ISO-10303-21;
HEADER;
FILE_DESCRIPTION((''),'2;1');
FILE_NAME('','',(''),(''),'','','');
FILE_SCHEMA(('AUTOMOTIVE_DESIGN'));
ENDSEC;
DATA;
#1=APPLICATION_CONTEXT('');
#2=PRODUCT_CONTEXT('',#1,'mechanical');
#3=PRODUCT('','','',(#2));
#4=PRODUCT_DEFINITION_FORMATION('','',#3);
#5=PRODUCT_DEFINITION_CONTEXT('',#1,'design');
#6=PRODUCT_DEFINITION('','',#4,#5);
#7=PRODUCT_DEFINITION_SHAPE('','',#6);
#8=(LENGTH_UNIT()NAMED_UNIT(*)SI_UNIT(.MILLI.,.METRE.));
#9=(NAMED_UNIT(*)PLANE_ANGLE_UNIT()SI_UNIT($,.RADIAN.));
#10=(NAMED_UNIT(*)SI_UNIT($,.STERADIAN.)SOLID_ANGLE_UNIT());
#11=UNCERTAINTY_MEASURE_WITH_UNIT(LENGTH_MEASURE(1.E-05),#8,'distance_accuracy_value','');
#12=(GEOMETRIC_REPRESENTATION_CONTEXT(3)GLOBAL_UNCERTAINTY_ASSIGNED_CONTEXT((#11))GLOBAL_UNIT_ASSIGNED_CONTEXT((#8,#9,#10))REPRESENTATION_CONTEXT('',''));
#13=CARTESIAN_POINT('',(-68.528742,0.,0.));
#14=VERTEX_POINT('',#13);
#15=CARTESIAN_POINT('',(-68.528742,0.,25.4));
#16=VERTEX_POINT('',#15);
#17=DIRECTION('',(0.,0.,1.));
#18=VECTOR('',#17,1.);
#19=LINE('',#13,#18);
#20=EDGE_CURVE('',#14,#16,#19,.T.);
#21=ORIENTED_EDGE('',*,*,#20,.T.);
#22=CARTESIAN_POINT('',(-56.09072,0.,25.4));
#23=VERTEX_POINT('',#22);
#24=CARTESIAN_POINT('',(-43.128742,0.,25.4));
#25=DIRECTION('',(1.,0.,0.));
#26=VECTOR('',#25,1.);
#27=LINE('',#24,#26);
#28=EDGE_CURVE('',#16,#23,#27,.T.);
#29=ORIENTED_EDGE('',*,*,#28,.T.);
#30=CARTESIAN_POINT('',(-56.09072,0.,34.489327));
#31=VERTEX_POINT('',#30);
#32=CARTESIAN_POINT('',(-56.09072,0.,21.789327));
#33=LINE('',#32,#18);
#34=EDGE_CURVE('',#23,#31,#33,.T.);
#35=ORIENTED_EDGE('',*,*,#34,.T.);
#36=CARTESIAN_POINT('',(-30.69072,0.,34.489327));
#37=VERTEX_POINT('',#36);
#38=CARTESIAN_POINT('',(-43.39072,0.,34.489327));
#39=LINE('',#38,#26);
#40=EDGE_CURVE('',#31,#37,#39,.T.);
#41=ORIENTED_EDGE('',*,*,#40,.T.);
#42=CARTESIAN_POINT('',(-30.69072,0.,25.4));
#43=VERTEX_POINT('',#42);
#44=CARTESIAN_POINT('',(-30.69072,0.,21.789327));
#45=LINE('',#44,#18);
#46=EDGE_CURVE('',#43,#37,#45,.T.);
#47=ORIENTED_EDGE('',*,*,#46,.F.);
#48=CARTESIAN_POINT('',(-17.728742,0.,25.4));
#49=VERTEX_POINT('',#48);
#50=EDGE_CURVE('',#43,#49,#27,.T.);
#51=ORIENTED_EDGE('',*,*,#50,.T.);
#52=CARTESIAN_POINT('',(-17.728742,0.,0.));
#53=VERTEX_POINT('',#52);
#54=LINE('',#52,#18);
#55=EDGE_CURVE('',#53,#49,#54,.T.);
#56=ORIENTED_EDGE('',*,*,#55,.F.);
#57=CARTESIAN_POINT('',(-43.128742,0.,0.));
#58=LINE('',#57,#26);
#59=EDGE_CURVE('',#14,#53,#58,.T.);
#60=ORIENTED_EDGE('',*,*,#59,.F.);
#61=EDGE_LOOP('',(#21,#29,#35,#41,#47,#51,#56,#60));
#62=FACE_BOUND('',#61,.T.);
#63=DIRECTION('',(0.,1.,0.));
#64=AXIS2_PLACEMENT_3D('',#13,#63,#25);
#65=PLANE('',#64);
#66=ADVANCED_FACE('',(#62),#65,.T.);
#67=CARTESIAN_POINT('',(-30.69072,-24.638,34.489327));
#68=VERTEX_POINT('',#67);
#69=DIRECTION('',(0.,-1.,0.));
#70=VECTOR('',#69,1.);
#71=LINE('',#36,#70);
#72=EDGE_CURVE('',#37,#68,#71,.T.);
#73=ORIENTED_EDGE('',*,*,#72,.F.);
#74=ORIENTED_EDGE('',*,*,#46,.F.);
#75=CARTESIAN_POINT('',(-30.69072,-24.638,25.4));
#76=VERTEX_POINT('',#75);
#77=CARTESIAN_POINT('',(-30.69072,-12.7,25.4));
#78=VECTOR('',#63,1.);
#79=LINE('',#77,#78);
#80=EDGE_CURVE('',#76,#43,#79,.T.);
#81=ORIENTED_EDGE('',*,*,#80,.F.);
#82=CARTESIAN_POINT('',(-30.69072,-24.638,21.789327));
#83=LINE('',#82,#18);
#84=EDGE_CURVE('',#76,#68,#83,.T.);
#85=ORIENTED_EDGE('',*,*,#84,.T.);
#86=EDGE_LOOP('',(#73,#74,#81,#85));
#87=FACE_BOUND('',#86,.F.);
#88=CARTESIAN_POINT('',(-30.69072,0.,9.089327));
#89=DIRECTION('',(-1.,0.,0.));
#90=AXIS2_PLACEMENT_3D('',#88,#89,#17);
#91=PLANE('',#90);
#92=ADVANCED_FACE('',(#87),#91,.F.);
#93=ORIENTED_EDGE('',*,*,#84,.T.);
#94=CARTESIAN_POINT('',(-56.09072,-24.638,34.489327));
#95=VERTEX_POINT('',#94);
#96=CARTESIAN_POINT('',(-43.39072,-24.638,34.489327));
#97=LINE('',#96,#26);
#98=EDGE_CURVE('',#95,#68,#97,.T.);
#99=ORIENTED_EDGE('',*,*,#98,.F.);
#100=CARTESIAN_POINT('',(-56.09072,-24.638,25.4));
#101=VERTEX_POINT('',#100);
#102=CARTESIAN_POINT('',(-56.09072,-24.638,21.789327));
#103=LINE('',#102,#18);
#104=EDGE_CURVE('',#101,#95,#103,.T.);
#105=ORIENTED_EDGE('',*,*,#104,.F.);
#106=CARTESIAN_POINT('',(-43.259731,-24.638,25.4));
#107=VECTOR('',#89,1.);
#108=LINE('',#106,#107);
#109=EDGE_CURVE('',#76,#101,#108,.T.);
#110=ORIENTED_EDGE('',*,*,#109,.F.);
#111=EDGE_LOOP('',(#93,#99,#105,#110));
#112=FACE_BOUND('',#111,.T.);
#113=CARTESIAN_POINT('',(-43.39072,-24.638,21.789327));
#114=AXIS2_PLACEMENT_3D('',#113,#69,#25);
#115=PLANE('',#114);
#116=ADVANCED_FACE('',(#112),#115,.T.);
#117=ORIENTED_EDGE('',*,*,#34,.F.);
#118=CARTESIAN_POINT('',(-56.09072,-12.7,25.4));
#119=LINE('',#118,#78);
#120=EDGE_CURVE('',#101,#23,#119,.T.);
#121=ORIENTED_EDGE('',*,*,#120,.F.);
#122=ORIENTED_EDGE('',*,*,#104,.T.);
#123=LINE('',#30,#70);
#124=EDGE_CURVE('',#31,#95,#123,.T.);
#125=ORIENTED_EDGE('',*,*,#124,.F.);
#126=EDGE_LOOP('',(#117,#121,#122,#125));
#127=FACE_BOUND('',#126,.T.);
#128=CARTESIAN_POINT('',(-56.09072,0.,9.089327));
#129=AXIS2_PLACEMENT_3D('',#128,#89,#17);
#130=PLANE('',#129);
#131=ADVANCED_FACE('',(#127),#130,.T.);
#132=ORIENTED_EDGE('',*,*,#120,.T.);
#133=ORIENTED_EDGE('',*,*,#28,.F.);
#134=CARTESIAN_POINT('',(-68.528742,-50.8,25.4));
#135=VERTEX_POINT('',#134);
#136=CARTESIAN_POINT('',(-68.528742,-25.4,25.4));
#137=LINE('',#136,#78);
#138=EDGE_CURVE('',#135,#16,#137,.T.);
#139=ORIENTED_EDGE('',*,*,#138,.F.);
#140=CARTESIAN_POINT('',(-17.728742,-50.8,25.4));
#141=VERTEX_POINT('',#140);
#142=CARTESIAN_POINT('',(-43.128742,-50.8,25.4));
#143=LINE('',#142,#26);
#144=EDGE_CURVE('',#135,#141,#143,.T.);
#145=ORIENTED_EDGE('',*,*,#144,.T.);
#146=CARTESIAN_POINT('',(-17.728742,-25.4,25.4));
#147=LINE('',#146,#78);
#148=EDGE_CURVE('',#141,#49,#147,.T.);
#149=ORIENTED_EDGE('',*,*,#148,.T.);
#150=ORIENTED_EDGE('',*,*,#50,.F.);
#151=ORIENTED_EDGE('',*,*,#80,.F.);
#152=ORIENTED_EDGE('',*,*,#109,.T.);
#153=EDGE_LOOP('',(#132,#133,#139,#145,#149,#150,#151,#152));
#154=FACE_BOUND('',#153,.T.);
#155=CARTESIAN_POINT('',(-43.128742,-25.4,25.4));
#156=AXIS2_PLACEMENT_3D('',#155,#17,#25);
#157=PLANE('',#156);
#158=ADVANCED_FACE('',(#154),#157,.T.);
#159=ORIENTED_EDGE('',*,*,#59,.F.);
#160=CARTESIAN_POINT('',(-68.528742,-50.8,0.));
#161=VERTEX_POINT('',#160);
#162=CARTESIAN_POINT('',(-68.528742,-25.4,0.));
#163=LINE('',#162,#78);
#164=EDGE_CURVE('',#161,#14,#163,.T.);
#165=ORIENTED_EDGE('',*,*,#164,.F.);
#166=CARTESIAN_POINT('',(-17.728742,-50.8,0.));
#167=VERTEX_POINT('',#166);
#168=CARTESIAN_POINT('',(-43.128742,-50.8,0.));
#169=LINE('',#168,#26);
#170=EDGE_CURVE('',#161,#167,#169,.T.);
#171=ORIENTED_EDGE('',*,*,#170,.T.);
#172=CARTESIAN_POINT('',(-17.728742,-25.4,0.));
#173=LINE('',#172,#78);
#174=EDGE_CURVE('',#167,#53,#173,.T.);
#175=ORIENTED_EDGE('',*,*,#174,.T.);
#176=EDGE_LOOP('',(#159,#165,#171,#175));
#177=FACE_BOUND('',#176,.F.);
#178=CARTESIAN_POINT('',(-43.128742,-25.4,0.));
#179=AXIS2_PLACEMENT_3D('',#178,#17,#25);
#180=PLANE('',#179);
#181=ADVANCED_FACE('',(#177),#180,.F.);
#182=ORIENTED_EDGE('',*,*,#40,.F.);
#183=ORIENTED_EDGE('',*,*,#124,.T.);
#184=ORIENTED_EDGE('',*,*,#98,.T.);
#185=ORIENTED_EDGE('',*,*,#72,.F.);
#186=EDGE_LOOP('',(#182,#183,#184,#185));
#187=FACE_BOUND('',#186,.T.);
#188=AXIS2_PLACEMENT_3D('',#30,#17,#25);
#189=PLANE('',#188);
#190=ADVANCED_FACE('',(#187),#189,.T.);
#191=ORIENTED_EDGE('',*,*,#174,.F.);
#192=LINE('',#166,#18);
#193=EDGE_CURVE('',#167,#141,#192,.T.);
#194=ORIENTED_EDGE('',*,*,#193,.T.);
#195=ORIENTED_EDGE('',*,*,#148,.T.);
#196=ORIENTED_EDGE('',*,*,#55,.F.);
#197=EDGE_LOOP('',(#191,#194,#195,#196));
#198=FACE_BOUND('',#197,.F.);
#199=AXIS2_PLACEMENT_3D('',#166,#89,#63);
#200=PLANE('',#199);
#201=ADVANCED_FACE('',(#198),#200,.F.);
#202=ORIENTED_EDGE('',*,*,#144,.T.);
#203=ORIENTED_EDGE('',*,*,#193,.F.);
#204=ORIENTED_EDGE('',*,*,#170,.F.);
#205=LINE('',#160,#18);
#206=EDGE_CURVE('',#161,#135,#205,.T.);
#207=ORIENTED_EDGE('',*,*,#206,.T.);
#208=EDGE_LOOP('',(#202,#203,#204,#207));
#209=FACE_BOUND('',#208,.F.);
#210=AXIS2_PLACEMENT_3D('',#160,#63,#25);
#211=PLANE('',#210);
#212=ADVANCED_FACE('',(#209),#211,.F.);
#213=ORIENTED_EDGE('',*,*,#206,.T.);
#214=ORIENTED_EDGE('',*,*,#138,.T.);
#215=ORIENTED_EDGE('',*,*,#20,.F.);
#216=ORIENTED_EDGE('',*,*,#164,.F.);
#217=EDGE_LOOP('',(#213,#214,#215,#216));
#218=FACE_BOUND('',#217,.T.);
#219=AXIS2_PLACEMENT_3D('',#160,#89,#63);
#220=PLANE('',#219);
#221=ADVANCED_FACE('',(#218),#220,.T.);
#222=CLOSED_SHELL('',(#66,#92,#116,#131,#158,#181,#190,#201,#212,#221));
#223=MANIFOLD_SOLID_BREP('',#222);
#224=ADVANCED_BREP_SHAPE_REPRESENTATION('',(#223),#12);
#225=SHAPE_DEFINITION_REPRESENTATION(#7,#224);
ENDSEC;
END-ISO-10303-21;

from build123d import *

# Parameters (mm, degrees)
F0_W     = 25.4
F0_H     = 25.4
F1_DEPTH = 24.638
F2_W     = 50.8
F2_H     = 50.8
F3_DEPTH = 25.4


with BuildPart() as f1:
    # F0 (on Front) → F1 (new body)
    with BuildSketch(Plane.XZ):
        with Locations((-43.39072, 21.789327)):
            Rectangle(F0_W, F0_H)
    extrude(amount=F1_DEPTH)

    # F2 (on Top) → F3 (join)
    with BuildSketch(Plane.XY):
        with Locations((-43.128742, -25.4)):
            Rectangle(F2_W, F2_H)
    extrude(amount=F3_DEPTH)


solid = f1.part
